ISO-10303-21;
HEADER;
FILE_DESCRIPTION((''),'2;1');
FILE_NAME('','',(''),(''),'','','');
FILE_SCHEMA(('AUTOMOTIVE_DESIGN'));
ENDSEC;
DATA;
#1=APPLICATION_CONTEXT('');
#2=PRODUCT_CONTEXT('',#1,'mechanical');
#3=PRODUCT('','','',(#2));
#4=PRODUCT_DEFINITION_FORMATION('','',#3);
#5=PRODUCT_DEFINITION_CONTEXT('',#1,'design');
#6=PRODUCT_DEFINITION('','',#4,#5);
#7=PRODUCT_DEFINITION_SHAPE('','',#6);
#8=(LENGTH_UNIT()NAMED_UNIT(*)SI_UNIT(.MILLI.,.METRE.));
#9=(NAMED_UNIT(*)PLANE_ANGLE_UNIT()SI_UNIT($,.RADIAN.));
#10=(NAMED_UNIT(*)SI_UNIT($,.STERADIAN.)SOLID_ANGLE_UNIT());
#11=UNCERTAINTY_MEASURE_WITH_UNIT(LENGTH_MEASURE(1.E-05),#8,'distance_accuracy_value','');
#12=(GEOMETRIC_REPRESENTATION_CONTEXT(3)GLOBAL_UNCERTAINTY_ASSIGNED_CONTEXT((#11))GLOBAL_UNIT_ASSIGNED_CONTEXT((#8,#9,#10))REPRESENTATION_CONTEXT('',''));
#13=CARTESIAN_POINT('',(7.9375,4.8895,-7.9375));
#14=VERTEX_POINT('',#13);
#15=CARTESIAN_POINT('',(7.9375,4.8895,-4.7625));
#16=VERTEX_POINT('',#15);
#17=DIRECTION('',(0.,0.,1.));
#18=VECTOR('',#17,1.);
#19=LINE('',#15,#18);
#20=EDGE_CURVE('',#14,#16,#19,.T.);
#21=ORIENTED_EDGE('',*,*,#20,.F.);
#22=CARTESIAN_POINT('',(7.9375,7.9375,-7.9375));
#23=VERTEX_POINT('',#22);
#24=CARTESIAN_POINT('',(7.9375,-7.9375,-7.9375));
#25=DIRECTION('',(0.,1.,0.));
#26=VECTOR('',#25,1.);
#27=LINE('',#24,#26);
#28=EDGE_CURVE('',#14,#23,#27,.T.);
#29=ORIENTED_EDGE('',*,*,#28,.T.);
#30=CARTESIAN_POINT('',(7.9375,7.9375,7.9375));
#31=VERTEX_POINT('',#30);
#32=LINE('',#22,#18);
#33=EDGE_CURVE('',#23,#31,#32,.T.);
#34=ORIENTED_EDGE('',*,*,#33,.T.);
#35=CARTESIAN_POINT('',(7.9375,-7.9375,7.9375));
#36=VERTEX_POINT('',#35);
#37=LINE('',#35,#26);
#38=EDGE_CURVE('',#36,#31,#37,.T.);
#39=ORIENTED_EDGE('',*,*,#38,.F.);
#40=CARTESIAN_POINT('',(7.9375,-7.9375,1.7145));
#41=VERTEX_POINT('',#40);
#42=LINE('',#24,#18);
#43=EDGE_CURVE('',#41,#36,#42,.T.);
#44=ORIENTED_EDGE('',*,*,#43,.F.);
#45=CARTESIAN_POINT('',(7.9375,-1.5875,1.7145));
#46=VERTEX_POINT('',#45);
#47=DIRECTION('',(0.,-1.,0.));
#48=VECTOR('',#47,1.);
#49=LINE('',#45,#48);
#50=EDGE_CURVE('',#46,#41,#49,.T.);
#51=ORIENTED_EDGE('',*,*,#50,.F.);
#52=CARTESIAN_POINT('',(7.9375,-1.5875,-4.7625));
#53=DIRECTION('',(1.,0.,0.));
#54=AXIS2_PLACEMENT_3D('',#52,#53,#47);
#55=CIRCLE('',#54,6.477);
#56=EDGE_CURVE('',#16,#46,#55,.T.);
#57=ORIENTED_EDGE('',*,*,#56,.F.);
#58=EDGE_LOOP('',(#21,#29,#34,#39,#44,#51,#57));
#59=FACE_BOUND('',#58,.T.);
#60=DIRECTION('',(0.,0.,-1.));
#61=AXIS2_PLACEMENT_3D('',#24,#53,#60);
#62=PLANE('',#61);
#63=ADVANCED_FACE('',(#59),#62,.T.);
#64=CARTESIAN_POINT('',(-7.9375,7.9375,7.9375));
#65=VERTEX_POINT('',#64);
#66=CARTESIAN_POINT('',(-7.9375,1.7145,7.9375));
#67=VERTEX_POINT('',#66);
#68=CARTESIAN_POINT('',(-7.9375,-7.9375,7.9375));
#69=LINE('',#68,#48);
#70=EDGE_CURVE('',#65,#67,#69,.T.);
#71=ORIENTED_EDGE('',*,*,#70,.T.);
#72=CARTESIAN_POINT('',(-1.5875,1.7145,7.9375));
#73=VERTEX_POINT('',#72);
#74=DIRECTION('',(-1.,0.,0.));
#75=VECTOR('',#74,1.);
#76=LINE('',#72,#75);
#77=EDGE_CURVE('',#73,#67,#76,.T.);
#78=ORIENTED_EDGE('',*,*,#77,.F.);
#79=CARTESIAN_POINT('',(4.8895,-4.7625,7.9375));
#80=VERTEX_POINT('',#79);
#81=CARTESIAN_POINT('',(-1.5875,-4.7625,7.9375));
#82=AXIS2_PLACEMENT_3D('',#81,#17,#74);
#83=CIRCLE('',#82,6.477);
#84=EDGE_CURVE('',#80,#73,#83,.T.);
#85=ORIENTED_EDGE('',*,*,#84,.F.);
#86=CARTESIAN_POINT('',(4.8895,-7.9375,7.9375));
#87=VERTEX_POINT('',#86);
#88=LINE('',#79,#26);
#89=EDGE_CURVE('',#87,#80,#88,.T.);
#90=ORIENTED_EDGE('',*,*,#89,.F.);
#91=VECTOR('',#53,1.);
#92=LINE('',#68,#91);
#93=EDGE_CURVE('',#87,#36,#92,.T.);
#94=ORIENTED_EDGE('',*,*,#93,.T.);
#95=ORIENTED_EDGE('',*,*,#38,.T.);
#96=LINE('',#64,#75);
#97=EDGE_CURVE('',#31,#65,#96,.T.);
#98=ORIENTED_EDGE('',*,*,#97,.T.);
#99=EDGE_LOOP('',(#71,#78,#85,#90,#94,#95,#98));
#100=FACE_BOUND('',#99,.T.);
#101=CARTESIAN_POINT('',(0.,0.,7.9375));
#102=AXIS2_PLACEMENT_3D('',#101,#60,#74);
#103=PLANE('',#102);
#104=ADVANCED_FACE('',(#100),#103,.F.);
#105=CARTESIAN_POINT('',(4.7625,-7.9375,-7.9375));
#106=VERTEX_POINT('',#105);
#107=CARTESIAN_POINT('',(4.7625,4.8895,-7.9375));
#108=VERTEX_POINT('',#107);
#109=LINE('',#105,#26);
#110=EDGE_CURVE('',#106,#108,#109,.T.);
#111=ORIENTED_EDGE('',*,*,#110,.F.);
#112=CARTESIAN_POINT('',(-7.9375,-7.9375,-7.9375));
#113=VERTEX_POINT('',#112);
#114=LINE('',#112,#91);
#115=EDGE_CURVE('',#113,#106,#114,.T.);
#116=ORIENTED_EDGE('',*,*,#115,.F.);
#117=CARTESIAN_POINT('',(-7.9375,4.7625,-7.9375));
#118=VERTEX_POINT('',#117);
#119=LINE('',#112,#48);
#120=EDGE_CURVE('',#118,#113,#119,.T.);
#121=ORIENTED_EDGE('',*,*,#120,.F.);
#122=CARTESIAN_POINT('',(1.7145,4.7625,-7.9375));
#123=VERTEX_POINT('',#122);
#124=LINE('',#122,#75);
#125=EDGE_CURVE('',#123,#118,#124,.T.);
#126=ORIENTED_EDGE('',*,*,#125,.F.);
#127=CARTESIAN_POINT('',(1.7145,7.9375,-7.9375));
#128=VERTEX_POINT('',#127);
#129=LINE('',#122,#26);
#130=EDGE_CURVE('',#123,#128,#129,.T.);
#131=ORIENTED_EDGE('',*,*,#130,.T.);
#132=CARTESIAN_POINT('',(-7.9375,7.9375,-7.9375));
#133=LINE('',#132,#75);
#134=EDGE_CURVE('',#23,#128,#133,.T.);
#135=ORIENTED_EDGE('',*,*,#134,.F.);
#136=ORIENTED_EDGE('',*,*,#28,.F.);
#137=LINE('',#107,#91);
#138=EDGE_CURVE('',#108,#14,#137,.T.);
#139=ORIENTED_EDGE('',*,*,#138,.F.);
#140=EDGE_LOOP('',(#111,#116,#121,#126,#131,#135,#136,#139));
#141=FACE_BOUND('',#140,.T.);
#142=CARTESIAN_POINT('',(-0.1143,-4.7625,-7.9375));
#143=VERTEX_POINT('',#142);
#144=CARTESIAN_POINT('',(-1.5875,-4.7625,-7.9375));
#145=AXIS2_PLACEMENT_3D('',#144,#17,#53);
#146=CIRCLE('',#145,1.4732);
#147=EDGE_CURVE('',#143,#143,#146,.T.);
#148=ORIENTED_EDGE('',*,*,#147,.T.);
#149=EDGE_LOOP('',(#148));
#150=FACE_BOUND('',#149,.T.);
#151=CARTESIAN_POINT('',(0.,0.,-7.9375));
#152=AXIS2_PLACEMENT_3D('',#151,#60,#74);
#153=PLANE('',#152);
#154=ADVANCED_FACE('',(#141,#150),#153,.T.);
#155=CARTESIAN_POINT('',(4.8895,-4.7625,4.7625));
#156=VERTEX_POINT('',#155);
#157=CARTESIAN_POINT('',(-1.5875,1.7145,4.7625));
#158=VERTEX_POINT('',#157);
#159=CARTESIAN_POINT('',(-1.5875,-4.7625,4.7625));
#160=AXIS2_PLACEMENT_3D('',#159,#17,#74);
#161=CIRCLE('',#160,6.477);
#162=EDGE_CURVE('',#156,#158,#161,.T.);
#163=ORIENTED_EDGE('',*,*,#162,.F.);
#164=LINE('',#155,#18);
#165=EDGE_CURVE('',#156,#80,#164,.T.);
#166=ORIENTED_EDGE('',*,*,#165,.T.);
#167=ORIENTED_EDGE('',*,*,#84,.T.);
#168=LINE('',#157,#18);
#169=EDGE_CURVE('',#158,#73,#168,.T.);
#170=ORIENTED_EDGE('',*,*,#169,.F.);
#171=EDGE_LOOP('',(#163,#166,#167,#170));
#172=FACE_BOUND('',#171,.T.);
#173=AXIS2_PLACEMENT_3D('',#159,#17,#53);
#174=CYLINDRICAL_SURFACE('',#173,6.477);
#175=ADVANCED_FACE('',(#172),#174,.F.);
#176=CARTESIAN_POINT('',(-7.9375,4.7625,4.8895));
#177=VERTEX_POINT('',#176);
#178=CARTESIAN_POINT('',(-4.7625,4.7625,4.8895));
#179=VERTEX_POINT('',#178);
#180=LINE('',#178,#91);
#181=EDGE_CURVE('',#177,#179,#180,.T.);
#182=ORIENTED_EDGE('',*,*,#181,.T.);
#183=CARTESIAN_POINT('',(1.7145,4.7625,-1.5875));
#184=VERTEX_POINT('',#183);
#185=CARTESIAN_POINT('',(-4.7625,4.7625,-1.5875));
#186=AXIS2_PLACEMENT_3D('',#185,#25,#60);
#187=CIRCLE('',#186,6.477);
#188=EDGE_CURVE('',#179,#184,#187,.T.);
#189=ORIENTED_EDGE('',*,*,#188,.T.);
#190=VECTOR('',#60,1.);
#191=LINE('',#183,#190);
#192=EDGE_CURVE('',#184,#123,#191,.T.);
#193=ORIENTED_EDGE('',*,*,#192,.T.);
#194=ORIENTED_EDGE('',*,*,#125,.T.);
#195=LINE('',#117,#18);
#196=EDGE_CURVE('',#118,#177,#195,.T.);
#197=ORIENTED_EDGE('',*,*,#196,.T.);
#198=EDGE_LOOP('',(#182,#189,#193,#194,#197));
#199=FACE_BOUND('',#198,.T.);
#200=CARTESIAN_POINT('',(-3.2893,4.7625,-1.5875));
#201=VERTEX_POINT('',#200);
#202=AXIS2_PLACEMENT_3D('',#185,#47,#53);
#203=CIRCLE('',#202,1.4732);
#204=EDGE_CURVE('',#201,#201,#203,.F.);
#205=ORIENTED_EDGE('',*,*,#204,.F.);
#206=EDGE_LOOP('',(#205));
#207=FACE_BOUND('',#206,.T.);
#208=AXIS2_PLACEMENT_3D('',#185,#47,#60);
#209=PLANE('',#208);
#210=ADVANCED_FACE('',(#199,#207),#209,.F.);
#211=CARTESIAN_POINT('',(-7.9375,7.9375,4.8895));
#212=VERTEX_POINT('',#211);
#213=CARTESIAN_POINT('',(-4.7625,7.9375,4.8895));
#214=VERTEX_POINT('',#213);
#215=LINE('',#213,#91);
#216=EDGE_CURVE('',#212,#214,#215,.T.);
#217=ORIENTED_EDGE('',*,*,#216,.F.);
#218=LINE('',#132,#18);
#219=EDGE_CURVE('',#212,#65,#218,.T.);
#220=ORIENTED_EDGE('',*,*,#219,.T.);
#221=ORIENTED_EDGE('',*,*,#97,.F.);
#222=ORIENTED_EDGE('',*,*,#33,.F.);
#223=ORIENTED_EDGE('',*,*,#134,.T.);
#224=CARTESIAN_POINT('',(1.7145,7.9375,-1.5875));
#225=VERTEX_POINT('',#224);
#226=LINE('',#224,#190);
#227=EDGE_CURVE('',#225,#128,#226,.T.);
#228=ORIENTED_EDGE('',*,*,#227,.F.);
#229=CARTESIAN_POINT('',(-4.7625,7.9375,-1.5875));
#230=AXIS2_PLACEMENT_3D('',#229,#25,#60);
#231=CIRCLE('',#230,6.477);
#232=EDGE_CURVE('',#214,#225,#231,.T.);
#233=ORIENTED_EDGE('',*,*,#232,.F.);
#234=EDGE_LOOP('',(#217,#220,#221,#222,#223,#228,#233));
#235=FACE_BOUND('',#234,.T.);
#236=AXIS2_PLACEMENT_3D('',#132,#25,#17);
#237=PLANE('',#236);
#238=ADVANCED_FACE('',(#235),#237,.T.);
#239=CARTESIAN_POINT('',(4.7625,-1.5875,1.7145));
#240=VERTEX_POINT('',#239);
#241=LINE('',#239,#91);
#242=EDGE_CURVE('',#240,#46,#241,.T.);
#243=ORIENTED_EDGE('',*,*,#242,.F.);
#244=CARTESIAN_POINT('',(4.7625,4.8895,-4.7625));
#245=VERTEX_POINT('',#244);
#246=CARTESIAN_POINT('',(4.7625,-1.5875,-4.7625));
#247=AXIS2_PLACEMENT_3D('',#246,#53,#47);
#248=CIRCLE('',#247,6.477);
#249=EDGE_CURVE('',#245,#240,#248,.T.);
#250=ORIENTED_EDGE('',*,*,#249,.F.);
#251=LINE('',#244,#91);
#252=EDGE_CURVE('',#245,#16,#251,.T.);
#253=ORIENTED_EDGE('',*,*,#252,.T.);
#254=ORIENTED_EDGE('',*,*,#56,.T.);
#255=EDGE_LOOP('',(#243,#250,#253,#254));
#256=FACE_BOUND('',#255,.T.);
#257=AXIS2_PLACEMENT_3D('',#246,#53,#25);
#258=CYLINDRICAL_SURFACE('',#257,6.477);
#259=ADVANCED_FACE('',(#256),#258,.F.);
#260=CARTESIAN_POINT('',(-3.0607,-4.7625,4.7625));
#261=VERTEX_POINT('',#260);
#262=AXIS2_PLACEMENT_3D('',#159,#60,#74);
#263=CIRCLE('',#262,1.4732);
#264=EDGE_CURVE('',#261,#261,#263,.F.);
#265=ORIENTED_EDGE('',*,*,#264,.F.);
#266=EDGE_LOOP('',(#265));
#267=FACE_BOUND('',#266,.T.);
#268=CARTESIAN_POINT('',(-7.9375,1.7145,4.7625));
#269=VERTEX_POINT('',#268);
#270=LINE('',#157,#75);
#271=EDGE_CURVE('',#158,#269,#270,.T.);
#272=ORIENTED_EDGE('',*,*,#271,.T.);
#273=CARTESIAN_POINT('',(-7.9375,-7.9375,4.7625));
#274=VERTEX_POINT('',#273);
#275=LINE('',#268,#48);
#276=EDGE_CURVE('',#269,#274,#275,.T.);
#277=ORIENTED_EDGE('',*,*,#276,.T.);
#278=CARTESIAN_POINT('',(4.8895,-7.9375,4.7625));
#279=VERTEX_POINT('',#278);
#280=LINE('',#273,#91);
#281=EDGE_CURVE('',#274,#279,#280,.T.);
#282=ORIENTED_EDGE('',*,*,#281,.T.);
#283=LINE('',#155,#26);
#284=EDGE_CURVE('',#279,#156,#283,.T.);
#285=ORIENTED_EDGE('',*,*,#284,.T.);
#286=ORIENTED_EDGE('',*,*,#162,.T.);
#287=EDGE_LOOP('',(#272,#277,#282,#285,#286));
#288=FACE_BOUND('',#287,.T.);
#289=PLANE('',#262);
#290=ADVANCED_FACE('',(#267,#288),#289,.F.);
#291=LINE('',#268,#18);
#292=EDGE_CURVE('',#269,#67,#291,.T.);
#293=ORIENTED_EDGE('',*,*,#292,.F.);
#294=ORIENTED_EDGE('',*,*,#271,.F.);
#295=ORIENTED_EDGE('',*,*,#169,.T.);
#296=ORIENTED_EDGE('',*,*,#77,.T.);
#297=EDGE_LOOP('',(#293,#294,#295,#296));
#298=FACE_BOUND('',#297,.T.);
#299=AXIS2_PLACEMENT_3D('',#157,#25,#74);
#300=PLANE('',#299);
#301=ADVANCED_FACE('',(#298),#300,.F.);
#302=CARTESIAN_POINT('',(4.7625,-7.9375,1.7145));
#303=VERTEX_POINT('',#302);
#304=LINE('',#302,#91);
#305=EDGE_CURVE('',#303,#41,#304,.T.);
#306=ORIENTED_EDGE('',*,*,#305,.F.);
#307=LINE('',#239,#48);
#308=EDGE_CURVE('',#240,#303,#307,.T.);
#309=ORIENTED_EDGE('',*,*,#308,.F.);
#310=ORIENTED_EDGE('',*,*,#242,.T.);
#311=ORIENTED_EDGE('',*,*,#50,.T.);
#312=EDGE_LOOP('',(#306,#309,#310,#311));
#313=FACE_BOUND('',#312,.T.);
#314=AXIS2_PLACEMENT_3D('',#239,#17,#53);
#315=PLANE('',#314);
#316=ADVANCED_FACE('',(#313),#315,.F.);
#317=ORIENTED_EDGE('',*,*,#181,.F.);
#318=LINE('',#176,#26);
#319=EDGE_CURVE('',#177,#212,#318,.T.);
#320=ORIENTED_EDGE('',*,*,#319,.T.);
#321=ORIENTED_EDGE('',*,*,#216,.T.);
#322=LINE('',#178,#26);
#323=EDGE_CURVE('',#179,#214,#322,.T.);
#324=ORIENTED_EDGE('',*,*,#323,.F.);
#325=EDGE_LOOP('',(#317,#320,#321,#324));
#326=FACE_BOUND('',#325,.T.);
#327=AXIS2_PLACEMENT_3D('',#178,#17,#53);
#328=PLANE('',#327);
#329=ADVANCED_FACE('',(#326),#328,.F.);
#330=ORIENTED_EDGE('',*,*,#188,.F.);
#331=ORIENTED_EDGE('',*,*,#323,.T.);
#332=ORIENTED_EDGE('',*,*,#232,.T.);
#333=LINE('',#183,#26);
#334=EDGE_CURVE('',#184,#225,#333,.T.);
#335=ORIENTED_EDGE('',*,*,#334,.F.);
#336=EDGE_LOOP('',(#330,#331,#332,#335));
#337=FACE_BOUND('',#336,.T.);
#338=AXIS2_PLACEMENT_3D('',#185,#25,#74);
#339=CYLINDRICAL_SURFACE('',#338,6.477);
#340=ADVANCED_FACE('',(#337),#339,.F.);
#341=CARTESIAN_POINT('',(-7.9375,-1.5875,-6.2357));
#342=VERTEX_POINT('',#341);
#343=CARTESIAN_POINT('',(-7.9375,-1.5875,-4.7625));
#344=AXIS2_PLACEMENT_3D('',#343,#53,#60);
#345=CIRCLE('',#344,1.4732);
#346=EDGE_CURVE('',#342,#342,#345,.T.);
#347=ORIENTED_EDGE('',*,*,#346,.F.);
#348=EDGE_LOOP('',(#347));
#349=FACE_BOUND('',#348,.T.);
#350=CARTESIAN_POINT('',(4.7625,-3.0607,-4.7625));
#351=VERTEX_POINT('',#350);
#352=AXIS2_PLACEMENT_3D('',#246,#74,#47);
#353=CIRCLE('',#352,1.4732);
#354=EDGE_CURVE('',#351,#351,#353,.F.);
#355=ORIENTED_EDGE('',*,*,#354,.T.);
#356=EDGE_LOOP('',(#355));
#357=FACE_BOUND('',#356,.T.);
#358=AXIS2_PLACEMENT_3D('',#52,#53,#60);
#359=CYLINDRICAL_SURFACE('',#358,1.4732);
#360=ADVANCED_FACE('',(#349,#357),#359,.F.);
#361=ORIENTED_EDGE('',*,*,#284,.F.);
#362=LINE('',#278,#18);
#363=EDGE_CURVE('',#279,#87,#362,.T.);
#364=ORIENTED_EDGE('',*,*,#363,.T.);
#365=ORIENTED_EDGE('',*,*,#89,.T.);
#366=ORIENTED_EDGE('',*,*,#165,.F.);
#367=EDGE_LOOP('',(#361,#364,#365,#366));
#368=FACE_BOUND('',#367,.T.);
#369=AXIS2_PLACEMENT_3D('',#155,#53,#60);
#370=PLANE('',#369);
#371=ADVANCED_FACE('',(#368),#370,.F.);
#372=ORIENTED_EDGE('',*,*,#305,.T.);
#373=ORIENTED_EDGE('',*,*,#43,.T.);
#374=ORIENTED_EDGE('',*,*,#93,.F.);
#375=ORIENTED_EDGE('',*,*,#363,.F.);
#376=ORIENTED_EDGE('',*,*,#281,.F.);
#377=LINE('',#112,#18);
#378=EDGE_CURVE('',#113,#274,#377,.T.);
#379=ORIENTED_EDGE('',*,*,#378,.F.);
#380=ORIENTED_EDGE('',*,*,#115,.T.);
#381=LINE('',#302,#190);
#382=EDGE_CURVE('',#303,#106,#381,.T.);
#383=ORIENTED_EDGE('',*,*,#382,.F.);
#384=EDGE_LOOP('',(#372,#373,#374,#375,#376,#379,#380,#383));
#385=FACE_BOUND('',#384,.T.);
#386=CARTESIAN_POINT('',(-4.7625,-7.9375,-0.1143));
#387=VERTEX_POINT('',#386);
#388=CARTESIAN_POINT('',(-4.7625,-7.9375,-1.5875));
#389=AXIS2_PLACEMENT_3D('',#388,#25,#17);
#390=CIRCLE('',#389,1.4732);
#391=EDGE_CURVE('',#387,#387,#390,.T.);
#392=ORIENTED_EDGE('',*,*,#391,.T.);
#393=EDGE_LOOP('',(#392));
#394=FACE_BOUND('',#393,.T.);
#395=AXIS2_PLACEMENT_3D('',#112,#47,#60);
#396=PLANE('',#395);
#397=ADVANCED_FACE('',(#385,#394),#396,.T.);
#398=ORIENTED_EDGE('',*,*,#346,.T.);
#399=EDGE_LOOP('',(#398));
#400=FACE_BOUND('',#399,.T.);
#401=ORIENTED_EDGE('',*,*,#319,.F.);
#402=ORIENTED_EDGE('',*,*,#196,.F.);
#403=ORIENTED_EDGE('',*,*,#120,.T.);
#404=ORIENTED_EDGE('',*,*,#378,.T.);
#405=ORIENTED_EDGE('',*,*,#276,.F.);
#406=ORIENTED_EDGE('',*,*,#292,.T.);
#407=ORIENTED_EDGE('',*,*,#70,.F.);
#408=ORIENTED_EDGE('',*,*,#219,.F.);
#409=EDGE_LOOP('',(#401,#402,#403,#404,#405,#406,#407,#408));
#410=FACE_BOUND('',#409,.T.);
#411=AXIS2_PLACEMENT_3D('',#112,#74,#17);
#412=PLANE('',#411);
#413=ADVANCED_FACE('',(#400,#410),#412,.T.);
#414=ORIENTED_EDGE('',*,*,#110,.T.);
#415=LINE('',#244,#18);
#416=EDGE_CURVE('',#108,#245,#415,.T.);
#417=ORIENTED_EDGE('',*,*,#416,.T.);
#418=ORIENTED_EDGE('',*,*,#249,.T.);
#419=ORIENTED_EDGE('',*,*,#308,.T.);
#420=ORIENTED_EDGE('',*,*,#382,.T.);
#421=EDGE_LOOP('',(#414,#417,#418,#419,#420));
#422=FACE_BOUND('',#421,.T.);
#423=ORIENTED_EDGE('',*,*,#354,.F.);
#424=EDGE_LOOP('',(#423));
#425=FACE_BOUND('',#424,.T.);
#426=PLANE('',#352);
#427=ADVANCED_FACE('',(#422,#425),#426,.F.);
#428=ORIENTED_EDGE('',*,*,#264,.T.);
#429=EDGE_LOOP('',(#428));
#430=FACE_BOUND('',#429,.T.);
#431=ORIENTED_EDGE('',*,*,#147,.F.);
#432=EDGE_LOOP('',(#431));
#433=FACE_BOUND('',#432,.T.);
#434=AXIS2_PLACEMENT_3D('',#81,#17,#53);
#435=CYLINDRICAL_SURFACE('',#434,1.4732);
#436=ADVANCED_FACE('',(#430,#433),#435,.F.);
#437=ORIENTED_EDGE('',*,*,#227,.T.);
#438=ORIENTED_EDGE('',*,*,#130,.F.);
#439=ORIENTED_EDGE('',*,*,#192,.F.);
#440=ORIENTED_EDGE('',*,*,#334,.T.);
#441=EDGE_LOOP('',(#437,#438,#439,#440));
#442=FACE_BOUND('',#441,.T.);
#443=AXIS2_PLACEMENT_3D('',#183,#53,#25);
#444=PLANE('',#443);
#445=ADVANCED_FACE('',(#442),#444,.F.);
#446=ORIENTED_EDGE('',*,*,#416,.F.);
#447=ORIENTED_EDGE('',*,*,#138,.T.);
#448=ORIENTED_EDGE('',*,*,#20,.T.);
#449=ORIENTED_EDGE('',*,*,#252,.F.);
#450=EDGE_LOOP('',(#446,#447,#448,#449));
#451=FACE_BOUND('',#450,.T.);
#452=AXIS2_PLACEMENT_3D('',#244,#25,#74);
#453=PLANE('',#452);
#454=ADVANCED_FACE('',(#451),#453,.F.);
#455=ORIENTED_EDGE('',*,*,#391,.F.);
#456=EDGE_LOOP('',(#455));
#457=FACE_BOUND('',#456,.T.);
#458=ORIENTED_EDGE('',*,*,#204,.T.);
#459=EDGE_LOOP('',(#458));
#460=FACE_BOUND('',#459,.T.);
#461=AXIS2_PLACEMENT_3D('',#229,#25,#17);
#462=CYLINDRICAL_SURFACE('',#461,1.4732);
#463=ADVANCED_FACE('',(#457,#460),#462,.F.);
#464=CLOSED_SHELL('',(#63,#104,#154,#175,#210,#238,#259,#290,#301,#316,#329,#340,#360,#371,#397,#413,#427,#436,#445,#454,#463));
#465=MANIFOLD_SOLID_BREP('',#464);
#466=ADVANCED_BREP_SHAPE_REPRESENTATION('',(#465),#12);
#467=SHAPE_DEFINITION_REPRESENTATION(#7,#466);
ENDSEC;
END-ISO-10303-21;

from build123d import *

# Parameters (mm, degrees)
CUBE_BASE_DEPTH       = 7.9375
CUBE_BASE_DEPTH_BACK  = 7.9375
SKETCH2_W             = 15.875
SKETCH2_H             = 15.875
F_4_CLEARANCE_HOLE1_D = 2.9464
FRAME_RELIEF_DEPTH    = 3.175
CIRPATTERN1_COUNT     = 3


with BuildPart() as part:
    # Sketch2 → CUBE-BASE (new, two sides: drawn at the far end of the back side and taken through both)
    with BuildSketch(Plane.XY.offset(-CUBE_BASE_DEPTH_BACK)):
        Rectangle(SKETCH2_W, SKETCH2_H)
    extrude(amount=CUBE_BASE_DEPTH + CUBE_BASE_DEPTH_BACK)

    # #4 Clearance Hole1 (through all)
    with Locations(Plane.XY.offset(7.9375)):
        with Locations((-1.5875, -4.7625)):
            f_4_clearance_hole1 = Hole(F_4_CLEARANCE_HOLE1_D / 2)

    # Sketch5 → FRAME-RELIEF (cut)
    with BuildSketch(Plane.XY.offset(7.9375)):
        with BuildLine():
            Line((-1.5875, 1.7145), (-7.9375, 1.7145))
            Line((-7.9375, 1.7145), (-7.9375, -7.9375))
            Line((-7.9375, -7.9375), (4.8895, -7.9375))
            Line((4.8895, -7.9375), (4.8895, -4.7625))
            ThreePointArc((4.8895, -4.7625), (2.992430622, -0.182569378), (-1.5875, 1.7145))
        make_face()
    frame_relief = extrude(amount=-FRAME_RELIEF_DEPTH, mode=Mode.SUBTRACT)

    # CirPattern1: #4 Clearance Hole1, FRAME-RELIEF ×3 about axis
    cirpattern1_axis = Axis((7.9375, 7.9375, 7.9375), (-0.5773502691896257, -0.5773502691896257, -0.5773502691896257))
    add([f_4_clearance_hole1.rotate(cirpattern1_axis, i * 360 / CIRPATTERN1_COUNT) for i in range(1, CIRPATTERN1_COUNT)], mode=Mode.SUBTRACT)
    add([frame_relief.rotate(cirpattern1_axis, i * 360 / CIRPATTERN1_COUNT) for i in range(1, CIRPATTERN1_COUNT)], mode=Mode.SUBTRACT)


solid = part.part
